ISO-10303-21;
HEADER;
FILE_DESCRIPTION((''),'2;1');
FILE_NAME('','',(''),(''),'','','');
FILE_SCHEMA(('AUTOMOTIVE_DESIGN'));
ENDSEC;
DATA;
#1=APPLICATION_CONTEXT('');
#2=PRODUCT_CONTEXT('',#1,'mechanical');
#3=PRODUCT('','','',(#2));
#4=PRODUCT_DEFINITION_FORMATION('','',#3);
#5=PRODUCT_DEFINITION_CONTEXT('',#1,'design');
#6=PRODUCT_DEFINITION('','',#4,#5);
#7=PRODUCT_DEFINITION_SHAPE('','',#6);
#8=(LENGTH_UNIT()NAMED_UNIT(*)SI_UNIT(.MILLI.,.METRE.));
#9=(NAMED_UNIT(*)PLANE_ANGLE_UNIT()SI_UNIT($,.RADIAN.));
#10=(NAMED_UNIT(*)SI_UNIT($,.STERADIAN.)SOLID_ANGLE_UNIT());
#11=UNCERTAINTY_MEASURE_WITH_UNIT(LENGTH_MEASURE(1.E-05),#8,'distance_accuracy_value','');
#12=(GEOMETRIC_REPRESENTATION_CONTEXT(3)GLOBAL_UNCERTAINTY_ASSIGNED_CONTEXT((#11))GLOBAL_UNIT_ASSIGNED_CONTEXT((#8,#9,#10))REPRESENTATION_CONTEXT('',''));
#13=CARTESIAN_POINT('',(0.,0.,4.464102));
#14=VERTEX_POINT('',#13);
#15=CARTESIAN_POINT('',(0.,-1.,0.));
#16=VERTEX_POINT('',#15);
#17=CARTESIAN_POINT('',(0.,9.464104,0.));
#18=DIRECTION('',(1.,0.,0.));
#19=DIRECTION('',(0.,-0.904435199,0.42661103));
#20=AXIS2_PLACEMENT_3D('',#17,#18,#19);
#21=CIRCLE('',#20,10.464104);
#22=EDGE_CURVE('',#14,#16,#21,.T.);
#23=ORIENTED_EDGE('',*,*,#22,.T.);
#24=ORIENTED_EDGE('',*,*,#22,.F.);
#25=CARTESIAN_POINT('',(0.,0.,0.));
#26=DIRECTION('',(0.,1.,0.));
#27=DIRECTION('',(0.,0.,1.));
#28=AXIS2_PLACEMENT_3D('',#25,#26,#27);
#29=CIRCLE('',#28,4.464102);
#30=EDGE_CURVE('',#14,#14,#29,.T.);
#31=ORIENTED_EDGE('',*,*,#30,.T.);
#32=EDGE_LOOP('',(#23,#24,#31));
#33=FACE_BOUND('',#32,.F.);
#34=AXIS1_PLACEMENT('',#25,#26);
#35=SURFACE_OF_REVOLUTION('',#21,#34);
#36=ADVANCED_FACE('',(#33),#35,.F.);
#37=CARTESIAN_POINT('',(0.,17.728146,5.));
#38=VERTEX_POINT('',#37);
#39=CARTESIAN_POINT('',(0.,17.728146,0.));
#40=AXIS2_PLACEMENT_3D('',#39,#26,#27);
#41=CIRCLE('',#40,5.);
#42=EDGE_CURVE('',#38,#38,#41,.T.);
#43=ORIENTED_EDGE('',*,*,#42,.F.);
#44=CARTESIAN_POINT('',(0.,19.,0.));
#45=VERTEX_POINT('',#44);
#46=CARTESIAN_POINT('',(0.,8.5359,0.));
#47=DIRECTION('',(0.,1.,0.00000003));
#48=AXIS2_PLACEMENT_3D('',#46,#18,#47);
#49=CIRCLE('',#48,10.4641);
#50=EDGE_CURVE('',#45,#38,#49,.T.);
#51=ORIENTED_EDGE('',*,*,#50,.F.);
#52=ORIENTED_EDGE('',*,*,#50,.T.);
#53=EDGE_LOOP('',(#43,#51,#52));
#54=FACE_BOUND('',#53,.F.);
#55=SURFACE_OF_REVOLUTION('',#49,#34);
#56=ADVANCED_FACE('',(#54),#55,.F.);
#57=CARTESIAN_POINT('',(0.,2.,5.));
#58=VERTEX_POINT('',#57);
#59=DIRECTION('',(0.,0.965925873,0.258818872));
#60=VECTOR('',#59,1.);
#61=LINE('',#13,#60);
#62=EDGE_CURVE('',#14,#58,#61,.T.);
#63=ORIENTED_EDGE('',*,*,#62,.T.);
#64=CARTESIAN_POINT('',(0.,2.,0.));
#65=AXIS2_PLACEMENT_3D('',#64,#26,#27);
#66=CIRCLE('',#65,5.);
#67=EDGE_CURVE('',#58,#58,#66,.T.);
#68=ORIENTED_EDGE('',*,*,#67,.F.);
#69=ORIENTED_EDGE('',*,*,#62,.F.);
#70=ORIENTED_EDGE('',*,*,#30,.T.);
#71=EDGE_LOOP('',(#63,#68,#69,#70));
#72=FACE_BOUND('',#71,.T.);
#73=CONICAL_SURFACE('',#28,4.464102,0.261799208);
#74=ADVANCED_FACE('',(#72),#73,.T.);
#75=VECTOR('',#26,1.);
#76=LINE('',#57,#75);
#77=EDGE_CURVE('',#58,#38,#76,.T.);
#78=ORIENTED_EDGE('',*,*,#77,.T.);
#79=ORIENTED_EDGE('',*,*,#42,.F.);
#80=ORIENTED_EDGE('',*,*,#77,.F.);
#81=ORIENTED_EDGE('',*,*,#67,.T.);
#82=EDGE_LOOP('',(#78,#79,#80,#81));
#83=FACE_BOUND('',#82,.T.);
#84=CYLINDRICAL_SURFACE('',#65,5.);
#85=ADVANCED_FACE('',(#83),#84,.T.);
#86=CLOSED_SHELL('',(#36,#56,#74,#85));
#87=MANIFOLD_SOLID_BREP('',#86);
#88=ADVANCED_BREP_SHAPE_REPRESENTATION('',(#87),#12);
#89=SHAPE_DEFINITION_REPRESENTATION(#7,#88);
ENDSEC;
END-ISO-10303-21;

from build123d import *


with BuildPart() as part:
    # Sketch → Revolution (revolve)
    with BuildSketch(Plane.YZ):
        with BuildLine():
            ThreePointArc((0, 4.464102), (-0.74694, 2.287368), (-1, 0))
            Line((-1, 0), (19, 0))
            ThreePointArc((19, 0), (18.677053, 2.579613), (17.728146, 5))
            Line((2, 5), (17.728146, 5))
            Line((0, 4.464102), (2, 5))
        make_face()
    revolve(axis=Axis((0, 0, 0), (0, 1, 0)))


solid = part.part
